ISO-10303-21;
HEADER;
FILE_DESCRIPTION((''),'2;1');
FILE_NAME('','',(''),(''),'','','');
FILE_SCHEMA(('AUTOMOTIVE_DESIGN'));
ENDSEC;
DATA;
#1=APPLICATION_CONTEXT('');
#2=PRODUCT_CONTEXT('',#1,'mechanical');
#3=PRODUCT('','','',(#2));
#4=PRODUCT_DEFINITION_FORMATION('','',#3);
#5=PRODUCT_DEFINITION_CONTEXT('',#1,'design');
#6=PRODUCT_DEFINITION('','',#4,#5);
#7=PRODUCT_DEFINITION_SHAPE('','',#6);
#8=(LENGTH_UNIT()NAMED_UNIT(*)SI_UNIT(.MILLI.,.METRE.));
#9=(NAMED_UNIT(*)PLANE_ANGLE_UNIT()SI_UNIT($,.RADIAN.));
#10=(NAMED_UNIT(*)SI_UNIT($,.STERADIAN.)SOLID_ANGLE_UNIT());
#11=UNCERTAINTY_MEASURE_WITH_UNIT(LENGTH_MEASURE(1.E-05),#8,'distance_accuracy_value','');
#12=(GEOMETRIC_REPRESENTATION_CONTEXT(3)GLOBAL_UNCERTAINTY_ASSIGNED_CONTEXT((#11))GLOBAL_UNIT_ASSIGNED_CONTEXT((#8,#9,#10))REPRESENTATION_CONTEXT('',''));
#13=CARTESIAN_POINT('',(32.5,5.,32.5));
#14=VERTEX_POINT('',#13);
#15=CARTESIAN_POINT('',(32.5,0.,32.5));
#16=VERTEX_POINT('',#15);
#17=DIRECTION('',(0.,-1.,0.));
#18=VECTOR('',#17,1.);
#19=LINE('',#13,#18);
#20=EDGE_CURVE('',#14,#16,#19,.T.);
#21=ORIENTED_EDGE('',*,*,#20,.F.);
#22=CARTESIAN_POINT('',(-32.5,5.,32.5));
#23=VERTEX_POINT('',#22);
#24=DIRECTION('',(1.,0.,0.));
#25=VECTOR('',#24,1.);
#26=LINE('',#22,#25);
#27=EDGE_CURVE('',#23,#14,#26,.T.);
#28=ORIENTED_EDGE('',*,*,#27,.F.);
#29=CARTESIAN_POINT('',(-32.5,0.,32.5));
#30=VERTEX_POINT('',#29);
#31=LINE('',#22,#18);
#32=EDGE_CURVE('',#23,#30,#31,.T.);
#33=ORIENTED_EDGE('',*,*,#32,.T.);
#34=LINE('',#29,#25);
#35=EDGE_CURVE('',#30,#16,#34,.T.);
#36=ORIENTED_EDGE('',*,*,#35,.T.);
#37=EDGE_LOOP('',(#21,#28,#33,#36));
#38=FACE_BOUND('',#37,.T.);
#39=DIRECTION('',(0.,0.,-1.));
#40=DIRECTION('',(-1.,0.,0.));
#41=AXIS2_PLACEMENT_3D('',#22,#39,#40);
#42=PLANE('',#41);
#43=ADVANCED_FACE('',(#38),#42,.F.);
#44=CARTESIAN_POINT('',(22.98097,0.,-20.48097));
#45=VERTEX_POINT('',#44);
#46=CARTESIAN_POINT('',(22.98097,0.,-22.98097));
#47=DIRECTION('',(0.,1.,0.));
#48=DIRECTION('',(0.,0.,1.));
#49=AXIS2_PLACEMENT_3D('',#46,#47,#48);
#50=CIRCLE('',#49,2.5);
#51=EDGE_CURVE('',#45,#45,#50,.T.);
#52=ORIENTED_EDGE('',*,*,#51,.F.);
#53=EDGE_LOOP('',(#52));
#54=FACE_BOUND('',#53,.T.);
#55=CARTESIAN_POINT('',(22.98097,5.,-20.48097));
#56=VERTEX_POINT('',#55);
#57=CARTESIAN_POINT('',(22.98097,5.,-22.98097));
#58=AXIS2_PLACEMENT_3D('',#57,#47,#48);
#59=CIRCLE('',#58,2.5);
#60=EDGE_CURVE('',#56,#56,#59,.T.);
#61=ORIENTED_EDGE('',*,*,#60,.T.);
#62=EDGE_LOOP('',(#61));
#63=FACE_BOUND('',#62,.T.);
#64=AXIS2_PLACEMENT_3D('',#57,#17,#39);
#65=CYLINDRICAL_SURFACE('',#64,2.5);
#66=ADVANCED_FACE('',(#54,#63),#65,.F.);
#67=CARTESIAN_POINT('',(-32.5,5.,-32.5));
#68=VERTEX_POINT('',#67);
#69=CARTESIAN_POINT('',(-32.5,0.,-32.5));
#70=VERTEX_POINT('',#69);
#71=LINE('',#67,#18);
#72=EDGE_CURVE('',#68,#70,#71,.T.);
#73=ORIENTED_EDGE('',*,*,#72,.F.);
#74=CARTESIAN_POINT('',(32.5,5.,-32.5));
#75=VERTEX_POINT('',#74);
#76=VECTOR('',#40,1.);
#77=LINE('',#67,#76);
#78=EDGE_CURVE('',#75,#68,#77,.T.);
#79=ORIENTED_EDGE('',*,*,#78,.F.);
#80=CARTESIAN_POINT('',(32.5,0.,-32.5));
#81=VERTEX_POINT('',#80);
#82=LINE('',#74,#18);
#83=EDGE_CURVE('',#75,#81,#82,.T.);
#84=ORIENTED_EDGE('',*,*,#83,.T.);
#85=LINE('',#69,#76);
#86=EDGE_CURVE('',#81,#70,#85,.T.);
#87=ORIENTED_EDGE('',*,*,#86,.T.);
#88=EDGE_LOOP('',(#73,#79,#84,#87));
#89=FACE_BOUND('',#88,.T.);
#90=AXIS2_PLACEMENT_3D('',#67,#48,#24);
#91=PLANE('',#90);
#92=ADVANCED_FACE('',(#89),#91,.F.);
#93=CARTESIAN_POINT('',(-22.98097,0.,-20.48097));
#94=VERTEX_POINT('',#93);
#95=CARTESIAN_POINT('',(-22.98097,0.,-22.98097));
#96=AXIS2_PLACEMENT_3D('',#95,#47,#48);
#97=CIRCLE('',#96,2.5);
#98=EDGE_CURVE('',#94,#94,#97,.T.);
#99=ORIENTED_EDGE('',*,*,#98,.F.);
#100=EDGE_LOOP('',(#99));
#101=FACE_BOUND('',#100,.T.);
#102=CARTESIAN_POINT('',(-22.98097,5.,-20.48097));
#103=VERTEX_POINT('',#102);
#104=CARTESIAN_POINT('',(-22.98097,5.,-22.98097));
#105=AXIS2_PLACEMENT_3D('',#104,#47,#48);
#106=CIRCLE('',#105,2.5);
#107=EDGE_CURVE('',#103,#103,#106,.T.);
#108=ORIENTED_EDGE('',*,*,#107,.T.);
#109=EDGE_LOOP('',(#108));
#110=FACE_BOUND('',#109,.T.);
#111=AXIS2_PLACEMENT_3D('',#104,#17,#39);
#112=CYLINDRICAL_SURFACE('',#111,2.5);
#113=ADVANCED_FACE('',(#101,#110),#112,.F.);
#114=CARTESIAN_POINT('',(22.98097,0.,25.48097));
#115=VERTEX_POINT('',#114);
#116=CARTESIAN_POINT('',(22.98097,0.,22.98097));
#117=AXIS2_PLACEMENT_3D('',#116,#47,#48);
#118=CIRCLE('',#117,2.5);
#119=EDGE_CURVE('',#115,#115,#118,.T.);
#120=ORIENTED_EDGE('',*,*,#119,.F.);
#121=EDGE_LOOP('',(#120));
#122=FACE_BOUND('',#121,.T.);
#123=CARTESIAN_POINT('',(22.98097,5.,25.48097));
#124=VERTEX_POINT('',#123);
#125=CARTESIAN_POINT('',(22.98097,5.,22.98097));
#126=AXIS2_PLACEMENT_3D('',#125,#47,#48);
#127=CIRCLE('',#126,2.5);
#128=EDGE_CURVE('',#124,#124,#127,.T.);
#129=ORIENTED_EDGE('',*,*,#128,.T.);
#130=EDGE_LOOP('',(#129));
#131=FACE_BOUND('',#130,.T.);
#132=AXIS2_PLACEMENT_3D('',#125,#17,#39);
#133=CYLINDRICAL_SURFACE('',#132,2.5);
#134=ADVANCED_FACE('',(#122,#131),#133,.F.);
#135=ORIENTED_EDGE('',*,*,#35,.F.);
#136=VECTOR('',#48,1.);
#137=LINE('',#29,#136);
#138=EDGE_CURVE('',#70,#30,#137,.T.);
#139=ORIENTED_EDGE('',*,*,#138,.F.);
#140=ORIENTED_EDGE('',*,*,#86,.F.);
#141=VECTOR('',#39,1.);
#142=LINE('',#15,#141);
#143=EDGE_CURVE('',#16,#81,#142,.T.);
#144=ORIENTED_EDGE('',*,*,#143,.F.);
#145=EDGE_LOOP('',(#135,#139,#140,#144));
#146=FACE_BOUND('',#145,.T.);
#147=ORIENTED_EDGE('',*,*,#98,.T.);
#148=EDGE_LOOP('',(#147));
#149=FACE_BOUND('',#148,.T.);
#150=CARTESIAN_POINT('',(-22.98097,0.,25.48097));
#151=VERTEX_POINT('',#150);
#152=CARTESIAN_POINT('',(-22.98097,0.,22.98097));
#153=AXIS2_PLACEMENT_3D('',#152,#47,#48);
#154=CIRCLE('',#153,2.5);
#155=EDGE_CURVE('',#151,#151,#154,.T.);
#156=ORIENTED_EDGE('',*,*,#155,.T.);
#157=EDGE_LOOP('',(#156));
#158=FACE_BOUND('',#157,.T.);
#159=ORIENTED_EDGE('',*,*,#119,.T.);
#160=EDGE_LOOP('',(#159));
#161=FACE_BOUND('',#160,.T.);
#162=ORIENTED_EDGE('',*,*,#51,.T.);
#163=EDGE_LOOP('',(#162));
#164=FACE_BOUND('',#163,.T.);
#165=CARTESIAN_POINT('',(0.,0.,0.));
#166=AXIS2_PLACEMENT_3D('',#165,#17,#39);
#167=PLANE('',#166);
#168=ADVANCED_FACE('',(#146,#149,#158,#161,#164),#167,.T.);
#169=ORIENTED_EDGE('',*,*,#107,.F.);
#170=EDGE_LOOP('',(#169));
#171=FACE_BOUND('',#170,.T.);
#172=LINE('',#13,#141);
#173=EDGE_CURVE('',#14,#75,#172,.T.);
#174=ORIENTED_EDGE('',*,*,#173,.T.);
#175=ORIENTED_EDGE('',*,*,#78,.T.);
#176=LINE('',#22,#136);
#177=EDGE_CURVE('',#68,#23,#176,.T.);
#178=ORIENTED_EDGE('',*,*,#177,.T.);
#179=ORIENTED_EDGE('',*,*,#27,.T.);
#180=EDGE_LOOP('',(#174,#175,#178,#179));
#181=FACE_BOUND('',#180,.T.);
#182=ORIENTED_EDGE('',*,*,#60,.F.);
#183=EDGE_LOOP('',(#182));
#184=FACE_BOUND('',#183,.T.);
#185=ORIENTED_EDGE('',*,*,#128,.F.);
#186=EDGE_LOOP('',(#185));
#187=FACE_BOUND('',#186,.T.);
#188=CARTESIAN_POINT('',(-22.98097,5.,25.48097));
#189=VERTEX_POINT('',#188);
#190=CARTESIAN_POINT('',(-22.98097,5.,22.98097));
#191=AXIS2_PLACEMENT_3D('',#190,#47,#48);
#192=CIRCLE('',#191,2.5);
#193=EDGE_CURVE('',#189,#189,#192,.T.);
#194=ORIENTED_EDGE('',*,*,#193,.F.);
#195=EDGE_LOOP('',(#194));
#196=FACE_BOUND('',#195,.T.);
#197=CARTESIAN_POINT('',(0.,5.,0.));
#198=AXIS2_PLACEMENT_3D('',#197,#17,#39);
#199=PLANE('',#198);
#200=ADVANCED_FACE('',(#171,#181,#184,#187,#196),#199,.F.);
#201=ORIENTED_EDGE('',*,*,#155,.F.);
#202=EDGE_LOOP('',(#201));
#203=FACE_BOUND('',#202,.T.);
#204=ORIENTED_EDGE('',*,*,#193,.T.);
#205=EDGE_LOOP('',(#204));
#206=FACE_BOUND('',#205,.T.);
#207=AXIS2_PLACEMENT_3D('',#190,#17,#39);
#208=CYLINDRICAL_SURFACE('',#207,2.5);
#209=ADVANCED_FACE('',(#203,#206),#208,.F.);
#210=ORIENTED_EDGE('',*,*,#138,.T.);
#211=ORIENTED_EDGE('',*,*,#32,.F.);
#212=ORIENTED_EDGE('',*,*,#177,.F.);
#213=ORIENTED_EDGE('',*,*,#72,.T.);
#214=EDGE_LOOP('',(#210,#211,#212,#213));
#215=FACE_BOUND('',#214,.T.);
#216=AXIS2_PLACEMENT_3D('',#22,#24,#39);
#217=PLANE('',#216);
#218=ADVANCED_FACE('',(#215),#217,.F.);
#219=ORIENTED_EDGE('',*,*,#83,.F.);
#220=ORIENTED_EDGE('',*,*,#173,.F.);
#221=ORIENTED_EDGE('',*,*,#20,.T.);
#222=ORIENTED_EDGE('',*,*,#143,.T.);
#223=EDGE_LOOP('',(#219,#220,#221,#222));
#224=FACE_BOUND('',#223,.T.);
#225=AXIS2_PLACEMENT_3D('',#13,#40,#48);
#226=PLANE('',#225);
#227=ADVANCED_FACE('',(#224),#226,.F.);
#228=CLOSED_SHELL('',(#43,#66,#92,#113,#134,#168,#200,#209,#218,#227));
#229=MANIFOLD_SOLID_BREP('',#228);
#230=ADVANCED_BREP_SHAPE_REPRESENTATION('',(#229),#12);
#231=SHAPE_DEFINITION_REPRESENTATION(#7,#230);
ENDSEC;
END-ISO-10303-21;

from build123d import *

# Parameters (mm, degrees)
SKETCH1_W           = 65
SKETCH1_H           = 65
SKETCH1_R           = 2.5
BOSS_EXTRUDE1_DEPTH = 5


with BuildPart() as part:
    # Sketch1 → Boss-Extrude1 (new body)
    with BuildSketch(Plane(origin=(0, 0, 0), x_dir=(1, 0, 0), z_dir=(0, 1, 0))):
        Rectangle(SKETCH1_W, SKETCH1_H)
        with Locations((22.980970389, -22.980970389)):
            Circle(SKETCH1_R, mode=Mode.SUBTRACT)
        with Locations((-22.980970389, -22.980970389)):
            Circle(SKETCH1_R, mode=Mode.SUBTRACT)
        with Locations((-22.980970389, 22.980970389)):
            Circle(SKETCH1_R, mode=Mode.SUBTRACT)
        with Locations((22.980970389, 22.980970389)):
            Circle(SKETCH1_R, mode=Mode.SUBTRACT)
    extrude(amount=BOSS_EXTRUDE1_DEPTH)


solid = part.part
